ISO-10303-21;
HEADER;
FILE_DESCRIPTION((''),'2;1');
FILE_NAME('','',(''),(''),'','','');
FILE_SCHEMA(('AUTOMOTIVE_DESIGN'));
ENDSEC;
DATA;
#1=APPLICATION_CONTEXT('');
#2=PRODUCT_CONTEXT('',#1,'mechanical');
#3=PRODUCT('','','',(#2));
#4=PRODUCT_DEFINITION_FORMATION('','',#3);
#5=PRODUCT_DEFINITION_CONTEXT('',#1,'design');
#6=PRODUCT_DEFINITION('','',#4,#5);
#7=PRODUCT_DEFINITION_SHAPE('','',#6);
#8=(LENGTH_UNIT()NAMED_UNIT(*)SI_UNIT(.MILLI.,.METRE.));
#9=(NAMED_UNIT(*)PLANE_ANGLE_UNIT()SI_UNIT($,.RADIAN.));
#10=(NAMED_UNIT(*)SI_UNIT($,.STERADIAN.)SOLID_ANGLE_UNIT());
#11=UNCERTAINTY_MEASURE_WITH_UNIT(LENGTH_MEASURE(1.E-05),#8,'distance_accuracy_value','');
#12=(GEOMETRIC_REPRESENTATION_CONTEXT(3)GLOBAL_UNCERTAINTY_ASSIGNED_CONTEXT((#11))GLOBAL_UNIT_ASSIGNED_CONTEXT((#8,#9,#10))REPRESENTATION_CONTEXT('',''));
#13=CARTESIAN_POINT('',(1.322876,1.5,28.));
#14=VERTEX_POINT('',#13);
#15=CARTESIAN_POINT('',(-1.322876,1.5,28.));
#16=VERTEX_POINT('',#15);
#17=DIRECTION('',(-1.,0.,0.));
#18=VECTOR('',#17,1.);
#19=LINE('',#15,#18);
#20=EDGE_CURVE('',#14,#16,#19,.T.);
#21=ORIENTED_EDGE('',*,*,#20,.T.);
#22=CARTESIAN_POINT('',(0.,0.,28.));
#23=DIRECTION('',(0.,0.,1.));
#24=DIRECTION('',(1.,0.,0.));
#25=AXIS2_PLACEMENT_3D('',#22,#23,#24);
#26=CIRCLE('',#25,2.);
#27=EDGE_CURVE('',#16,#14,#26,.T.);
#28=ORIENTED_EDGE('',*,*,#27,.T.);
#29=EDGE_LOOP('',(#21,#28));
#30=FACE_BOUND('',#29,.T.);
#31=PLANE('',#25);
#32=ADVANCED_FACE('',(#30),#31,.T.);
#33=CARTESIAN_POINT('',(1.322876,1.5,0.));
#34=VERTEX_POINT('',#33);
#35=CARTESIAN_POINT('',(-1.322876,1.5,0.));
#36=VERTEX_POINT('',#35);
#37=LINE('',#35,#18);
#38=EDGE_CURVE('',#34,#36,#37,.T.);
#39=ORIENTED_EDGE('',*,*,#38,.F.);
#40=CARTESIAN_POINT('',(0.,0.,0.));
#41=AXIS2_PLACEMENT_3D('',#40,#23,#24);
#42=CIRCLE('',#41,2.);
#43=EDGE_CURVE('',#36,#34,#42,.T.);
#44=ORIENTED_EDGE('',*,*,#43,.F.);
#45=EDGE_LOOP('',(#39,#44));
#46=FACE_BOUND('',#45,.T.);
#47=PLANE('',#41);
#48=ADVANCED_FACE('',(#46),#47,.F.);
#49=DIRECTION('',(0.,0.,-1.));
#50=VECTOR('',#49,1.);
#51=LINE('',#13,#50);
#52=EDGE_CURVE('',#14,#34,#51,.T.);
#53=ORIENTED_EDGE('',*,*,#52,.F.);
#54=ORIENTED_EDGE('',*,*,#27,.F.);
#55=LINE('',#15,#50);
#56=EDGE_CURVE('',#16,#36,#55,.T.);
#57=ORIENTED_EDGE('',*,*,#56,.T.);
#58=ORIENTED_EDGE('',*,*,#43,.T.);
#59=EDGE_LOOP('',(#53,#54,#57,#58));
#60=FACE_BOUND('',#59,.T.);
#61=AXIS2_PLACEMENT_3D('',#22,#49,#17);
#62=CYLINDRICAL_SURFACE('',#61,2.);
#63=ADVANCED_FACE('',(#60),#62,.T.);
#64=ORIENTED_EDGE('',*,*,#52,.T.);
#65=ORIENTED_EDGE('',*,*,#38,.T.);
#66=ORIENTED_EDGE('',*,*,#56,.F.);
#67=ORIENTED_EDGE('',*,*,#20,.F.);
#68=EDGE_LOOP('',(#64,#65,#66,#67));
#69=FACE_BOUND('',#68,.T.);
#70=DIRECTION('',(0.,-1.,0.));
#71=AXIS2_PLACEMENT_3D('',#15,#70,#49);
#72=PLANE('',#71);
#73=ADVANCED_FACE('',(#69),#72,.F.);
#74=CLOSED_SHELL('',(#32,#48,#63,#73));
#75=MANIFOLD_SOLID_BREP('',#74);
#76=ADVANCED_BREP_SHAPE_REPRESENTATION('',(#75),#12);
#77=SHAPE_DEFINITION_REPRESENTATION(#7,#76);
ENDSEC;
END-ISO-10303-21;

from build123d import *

# Parameters (mm, degrees)
BOSS_EXTRUDE1_DEPTH = 28


with BuildPart() as part:
    # Sketch1 → Boss-Extrude1 (new body)
    with BuildSketch(Plane.XY):
        with BuildLine():
            Line((-1.322875656, 1.5), (1.322875656, 1.5))
            ThreePointArc((1.322875656, 1.5), (0, -2), (-1.322875656, 1.5))
        make_face()
    extrude(amount=BOSS_EXTRUDE1_DEPTH)


solid = part.part
